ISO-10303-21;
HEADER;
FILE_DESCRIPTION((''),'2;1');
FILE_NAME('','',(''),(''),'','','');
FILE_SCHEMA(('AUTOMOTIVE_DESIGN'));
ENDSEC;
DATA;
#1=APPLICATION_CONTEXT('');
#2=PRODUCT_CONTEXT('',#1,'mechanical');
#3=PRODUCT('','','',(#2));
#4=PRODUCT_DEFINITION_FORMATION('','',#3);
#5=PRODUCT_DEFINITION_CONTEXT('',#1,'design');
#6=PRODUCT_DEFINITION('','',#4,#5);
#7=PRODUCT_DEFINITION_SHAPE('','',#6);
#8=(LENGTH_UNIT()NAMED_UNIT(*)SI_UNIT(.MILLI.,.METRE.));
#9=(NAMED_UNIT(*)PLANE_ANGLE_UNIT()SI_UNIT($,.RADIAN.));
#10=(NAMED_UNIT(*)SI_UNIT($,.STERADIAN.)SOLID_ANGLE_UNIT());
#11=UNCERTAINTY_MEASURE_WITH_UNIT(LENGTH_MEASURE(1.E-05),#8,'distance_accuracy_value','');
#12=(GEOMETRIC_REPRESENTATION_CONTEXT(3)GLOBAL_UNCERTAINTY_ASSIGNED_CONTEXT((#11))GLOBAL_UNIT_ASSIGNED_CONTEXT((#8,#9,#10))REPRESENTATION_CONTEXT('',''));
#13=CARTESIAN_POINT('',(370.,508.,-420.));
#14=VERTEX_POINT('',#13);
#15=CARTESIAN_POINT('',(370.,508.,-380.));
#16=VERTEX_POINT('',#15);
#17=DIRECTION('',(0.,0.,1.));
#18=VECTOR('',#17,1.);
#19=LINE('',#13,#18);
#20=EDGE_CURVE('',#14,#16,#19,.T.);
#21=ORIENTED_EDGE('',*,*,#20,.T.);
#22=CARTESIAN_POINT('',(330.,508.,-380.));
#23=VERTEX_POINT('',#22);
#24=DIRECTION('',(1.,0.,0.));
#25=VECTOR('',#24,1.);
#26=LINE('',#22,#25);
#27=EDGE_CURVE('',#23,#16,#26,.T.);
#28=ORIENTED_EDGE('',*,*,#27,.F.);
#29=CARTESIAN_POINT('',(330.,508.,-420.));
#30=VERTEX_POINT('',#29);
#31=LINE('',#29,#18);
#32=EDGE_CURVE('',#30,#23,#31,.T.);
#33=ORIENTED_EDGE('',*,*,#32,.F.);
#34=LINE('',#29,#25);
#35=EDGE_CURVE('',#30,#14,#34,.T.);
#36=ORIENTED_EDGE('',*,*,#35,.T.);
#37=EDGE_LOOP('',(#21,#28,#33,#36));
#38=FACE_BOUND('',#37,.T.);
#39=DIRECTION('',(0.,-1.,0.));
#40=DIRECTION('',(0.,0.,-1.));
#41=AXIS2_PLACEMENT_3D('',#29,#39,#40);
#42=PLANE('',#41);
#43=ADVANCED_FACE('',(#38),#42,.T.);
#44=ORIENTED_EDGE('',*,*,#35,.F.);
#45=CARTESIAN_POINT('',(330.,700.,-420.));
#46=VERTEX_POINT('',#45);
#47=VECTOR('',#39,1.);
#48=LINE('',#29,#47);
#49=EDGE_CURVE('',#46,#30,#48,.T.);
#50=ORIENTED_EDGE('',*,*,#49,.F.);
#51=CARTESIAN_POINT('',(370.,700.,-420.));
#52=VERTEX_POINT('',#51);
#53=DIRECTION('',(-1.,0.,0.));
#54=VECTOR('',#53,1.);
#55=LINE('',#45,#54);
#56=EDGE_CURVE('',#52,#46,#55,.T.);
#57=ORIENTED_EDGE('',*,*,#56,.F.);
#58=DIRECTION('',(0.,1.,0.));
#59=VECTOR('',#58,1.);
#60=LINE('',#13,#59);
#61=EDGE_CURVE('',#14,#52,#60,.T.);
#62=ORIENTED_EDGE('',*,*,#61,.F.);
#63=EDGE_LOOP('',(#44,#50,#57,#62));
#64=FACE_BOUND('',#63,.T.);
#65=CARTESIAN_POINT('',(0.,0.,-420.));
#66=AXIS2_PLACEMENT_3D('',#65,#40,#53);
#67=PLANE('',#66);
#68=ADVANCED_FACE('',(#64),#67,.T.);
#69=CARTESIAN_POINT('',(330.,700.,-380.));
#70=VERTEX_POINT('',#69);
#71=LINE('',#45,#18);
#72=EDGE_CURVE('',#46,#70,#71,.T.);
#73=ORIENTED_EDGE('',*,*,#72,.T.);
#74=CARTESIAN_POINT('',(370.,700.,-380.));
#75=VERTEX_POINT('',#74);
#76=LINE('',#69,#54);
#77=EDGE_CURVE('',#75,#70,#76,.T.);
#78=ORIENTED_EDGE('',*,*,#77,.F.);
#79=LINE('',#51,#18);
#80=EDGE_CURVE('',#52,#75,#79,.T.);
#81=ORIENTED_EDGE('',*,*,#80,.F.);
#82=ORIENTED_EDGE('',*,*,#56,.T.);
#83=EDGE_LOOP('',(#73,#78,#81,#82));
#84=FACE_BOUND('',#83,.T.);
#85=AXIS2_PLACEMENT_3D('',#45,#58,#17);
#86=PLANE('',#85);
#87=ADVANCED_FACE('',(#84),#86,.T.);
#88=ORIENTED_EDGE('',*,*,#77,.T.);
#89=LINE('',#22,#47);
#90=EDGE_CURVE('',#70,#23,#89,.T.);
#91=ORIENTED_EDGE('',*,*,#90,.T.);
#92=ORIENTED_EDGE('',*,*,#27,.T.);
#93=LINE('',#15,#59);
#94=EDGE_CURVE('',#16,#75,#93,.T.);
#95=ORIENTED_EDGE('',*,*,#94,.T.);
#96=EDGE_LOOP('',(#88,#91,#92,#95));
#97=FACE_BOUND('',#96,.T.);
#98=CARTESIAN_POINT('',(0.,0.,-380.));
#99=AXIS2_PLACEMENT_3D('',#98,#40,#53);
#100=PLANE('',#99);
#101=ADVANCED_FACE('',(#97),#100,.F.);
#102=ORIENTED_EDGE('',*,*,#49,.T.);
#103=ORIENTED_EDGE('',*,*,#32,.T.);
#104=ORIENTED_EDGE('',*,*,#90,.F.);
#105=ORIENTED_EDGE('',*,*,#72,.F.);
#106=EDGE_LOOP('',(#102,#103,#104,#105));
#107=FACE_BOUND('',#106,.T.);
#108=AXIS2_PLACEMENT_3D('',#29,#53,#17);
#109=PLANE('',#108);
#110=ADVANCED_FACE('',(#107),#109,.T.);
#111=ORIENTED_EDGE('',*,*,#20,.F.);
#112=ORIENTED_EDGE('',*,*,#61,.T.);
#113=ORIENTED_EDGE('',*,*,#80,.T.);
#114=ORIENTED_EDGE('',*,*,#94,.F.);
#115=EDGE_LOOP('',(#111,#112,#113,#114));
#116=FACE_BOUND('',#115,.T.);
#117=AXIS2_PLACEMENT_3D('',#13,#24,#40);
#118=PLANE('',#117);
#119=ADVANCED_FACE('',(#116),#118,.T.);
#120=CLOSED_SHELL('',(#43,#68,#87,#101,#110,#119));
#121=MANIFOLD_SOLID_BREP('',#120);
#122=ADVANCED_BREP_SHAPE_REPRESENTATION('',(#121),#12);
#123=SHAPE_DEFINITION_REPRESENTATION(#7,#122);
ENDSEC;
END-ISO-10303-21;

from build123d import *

# Parameters (mm, degrees)
PACK_KAPAK_POSTU_DIKEY_1_START = -380
SKETCH1_W                      = 40
SKETCH1_H                      = 192
PACK_KAPAK_POSTU_DIKEY_1_DEPTH = 40


with BuildPart() as part:
    # Sketch1 → PACK_kapak_postu_dikey_1 (new body)
    with BuildSketch(Plane.XY.offset(PACK_KAPAK_POSTU_DIKEY_1_START)):
        with Locations((350, 604)):
            Rectangle(SKETCH1_W, SKETCH1_H)
    extrude(amount=-PACK_KAPAK_POSTU_DIKEY_1_DEPTH)


solid = part.part
